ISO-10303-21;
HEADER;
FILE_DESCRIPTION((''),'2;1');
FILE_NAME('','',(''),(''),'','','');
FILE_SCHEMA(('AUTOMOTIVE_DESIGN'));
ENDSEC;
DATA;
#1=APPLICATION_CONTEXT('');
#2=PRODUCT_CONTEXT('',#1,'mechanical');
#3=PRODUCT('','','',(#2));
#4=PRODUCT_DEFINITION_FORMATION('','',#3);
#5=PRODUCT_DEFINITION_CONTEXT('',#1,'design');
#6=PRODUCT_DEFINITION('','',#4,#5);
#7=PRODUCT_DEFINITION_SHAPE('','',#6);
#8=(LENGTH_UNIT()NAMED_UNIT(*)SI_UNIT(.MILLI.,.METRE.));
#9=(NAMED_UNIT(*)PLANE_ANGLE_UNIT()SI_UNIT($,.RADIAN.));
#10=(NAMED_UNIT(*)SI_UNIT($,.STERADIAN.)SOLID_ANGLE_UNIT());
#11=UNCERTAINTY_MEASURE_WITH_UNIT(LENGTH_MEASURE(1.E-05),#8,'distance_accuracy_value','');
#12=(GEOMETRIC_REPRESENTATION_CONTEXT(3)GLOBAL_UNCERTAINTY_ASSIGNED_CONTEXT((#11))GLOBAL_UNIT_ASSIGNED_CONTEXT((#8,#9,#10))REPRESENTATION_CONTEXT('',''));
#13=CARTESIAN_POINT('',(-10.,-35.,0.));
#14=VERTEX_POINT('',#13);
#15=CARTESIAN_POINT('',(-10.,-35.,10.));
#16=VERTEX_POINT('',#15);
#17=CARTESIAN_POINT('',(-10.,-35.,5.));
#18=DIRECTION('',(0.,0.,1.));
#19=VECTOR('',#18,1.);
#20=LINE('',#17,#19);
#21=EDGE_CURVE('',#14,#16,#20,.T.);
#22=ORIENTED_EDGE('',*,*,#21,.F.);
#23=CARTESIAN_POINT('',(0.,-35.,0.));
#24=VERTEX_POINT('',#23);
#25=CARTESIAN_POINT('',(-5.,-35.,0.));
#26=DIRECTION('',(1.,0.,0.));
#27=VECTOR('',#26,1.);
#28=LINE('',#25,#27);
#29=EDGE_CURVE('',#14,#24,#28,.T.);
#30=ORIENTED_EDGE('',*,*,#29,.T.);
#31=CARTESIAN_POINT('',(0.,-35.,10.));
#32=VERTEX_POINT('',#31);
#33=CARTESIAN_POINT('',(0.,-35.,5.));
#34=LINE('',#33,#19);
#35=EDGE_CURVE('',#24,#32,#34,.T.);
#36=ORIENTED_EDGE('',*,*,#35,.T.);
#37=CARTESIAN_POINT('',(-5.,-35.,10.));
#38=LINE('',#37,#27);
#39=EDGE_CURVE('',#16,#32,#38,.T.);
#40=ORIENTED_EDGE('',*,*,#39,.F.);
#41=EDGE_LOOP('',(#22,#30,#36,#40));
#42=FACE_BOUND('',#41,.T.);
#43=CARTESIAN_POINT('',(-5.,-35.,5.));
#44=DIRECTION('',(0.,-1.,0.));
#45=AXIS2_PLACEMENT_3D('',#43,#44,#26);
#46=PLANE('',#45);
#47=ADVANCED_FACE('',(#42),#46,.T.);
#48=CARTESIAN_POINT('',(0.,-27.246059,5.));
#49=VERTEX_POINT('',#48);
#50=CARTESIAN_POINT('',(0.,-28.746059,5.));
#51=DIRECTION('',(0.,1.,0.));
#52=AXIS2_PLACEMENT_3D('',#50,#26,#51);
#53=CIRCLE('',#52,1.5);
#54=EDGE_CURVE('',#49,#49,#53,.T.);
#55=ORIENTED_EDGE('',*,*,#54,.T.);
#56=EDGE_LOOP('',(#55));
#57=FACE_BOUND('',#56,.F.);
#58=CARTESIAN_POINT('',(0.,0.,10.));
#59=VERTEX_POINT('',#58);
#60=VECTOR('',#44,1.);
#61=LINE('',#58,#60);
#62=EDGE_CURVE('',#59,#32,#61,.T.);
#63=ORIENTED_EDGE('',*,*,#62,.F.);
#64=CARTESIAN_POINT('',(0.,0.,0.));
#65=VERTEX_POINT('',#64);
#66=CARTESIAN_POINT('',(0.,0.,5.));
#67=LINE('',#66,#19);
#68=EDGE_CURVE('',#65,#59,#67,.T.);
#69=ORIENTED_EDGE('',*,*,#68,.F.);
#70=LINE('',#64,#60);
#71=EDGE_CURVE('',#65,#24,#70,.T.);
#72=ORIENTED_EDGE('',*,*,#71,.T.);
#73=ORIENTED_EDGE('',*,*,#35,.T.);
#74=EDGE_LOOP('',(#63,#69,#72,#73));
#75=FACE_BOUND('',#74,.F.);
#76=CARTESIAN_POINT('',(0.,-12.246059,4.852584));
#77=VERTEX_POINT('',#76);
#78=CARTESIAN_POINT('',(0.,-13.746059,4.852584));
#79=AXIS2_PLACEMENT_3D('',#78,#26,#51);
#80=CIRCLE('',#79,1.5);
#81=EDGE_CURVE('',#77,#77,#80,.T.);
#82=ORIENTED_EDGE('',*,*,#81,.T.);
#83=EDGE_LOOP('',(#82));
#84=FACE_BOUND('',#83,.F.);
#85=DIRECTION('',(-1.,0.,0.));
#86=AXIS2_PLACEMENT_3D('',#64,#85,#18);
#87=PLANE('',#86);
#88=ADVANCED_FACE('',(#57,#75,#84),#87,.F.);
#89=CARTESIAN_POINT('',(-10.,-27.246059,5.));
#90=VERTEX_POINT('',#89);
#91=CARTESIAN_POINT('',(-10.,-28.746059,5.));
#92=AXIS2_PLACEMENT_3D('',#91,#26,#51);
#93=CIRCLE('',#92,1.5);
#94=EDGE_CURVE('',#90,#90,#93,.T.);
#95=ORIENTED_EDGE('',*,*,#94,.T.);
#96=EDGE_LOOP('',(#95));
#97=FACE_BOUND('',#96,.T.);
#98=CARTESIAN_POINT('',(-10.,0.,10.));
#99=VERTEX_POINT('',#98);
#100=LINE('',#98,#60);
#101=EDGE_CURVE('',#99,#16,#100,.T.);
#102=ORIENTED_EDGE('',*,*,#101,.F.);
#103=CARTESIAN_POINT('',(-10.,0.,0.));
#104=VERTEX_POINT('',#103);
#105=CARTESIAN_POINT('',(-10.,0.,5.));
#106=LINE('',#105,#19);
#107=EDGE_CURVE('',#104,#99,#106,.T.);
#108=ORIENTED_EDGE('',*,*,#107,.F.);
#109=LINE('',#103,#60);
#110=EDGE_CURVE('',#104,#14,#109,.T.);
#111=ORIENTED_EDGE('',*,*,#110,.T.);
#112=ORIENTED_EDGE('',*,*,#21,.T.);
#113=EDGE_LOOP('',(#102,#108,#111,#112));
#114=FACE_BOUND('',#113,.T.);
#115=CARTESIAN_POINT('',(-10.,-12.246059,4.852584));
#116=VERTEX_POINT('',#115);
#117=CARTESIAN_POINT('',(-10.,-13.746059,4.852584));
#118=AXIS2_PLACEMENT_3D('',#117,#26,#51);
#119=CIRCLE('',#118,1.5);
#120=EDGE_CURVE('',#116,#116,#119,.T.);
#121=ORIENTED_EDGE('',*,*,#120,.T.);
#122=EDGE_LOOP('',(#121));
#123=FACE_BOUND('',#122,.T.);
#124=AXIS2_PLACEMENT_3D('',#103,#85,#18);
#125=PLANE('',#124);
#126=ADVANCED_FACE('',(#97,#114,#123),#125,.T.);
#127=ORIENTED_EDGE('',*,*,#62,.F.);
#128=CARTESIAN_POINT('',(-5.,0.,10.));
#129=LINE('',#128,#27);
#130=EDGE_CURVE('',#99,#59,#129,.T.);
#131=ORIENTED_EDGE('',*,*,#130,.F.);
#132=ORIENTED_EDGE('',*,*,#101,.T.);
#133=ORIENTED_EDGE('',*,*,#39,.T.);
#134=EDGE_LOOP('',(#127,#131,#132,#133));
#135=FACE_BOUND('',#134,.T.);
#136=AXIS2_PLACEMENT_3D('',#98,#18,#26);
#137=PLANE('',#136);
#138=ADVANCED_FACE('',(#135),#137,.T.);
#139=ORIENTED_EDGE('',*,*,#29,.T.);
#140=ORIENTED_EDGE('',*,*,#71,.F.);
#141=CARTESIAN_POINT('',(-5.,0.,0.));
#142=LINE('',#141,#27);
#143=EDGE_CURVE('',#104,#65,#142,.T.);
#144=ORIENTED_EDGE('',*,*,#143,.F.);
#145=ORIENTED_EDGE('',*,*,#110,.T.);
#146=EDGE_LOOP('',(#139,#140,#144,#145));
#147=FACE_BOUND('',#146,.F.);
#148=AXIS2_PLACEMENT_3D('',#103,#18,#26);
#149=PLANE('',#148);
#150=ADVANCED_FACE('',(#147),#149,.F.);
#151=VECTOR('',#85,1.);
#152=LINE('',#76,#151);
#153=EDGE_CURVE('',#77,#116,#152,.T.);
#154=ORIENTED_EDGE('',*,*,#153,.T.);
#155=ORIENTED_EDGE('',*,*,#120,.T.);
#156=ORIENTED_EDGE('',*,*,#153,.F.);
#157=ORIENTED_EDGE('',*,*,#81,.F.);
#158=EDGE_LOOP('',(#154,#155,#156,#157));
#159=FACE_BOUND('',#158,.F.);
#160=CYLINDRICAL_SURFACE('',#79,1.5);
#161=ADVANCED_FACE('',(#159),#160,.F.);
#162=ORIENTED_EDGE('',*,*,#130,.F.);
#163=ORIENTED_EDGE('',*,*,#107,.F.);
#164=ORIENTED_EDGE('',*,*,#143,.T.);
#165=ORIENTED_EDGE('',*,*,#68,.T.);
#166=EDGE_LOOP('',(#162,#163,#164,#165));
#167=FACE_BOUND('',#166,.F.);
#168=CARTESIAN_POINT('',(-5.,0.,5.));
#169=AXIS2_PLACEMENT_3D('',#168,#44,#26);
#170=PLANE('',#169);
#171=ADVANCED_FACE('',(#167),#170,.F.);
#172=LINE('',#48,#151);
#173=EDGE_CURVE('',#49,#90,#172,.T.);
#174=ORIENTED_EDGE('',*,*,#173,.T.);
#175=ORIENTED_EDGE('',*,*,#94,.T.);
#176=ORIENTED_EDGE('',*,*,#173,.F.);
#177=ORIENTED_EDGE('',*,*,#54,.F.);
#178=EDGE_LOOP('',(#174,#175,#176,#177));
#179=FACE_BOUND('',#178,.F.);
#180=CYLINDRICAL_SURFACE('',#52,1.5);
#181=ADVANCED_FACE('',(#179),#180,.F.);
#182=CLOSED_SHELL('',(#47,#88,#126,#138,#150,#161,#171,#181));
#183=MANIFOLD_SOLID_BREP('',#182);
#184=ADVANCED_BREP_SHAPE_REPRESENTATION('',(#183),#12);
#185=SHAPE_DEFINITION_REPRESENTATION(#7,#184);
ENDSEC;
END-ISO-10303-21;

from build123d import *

# Parameters (mm, degrees)
F0_W     = 10
F0_H     = 10
F1_DEPTH = 35
F2_R     = 1.5
F3_DEPTH = 12


with BuildPart() as f1:
    # F0 (on Front) → F1 (new body)
    with BuildSketch(Plane.XZ):
        with Locations((-5, 5)):
            Rectangle(F0_W, F0_H)
    extrude(amount=F1_DEPTH)

    # F2 (on face) → F3 (cut)
    with BuildSketch(Plane.YZ):
        with Locations((-28.746059, 5)):
            Circle(F2_R)
        with Locations((-13.746059, 4.852584)):
            Circle(F2_R)
    extrude(amount=-F3_DEPTH, mode=Mode.SUBTRACT)


solid = f1.part
